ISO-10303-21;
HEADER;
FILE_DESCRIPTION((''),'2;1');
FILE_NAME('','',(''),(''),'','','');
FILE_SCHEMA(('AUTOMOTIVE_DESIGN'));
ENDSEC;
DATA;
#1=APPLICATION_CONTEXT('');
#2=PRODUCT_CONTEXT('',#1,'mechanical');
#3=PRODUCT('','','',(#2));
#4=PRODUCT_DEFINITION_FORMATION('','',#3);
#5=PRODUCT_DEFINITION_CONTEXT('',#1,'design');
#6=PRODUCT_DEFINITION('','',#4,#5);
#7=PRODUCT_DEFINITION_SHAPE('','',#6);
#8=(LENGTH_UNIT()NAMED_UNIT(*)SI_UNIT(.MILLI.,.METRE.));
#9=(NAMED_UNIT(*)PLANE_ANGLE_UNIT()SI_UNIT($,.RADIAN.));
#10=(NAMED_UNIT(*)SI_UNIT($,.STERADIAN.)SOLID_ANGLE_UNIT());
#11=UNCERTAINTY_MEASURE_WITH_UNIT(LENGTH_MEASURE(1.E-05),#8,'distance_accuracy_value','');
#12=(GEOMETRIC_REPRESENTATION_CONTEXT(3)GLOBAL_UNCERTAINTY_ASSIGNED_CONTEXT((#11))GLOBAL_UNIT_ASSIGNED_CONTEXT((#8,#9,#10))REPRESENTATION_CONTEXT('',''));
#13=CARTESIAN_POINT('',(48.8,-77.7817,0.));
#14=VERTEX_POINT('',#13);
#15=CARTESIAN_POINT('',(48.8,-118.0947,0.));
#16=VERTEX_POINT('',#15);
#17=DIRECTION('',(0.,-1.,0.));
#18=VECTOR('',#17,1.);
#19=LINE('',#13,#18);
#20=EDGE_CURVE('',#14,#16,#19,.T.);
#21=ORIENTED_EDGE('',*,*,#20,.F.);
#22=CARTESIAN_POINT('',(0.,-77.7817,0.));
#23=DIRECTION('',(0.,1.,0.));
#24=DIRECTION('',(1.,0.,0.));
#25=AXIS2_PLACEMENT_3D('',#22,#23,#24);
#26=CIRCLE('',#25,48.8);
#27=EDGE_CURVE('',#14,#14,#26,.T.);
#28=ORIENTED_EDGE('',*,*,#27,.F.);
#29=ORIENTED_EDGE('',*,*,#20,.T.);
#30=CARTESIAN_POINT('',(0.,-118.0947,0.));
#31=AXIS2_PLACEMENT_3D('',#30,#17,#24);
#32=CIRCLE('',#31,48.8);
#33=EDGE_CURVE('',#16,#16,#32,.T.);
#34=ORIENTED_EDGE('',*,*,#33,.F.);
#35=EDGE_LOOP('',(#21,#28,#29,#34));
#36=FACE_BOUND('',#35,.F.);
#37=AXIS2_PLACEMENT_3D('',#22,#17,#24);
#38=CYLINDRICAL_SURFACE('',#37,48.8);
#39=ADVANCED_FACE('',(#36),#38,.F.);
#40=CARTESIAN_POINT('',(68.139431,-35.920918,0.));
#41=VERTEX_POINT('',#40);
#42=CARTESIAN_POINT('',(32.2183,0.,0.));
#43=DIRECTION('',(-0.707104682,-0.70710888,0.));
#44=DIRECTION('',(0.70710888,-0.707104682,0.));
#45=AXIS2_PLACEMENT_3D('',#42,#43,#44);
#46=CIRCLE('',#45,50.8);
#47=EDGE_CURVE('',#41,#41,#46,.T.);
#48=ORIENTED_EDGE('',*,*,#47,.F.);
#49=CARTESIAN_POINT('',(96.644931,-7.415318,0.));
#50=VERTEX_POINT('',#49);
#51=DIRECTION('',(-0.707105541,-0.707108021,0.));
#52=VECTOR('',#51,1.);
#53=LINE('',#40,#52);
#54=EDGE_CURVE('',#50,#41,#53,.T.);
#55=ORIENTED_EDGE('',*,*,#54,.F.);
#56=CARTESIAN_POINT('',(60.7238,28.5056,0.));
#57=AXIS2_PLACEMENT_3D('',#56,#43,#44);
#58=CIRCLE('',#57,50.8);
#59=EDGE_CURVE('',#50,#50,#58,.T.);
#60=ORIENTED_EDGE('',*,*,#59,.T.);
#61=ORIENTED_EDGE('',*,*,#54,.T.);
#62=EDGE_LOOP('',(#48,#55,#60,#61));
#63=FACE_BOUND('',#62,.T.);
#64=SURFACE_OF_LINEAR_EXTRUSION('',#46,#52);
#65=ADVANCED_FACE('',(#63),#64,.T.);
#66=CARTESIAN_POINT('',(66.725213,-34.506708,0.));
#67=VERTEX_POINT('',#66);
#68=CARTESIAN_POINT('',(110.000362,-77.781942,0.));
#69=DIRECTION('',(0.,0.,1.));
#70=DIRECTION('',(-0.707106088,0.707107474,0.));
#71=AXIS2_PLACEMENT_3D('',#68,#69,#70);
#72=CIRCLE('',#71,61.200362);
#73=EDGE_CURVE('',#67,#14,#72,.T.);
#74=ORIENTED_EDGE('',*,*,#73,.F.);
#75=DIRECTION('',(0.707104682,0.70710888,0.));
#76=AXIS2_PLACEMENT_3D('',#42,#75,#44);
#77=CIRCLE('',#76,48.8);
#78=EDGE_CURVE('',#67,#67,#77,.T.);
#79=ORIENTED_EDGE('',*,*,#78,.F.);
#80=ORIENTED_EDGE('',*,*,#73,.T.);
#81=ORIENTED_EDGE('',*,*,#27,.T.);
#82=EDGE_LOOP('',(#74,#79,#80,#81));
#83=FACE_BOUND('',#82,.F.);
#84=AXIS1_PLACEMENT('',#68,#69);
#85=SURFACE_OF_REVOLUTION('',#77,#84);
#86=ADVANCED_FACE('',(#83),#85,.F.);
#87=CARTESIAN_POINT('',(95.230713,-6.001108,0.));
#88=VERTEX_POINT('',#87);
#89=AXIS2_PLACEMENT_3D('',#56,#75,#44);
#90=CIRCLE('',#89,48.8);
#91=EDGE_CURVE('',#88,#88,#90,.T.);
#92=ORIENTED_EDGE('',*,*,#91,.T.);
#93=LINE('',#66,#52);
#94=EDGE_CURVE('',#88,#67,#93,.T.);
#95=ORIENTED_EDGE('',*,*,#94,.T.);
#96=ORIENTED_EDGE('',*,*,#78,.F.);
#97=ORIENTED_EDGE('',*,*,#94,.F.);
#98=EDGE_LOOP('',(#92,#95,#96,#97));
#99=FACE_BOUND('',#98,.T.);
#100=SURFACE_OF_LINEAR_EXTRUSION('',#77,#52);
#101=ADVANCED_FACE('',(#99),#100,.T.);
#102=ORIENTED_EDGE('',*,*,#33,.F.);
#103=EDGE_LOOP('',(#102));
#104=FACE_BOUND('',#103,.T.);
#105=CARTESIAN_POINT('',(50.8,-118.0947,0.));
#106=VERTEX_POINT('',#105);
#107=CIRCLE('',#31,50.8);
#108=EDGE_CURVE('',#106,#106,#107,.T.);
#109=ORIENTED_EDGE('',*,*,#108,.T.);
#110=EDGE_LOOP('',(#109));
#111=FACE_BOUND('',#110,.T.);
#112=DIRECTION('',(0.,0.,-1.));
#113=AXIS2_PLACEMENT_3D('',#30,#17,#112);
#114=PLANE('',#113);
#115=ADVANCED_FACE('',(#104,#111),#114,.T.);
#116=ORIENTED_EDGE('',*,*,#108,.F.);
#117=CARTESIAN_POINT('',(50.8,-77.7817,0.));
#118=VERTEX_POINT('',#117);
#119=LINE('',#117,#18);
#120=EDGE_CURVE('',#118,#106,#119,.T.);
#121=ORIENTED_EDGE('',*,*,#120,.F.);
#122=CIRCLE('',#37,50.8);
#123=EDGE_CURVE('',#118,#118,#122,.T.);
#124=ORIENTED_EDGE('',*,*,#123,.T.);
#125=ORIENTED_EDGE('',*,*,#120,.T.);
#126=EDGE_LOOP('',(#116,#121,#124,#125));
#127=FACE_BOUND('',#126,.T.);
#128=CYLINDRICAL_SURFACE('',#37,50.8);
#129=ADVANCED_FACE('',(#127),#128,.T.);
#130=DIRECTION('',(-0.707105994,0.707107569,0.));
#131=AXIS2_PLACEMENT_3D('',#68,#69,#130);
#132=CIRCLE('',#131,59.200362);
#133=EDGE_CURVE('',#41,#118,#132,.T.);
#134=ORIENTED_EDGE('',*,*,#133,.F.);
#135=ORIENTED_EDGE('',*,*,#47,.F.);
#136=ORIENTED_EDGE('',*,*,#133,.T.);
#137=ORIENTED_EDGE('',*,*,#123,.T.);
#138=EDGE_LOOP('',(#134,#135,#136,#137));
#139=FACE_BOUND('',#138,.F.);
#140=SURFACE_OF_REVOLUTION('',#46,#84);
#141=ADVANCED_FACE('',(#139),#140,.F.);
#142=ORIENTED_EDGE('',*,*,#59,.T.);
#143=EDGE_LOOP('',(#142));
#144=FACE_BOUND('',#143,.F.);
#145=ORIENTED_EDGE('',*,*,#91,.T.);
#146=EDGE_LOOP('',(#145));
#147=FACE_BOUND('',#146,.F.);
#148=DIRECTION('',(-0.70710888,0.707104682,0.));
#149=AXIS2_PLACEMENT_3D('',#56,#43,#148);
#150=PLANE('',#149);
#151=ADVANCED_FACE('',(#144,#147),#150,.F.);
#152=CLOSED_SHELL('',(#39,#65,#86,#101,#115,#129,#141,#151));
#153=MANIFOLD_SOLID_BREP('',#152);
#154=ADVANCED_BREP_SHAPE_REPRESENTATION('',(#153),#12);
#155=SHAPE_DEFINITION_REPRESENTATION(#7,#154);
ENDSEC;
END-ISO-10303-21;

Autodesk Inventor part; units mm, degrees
ref_plane "YZ Plane" through (0, 0, 0) normal (1, 0, 0) x (0, 1, 0)
ref_plane "XZ Plane" through (0, 0, 0) normal (0, 1, 0) x (-1, 0, 0)
sketch "Szkic6" plane through (0, 0, 0) normal (0, 0, 1) x (1, 0, 0)
  line L0 (-29.6067, 0) -> (35.2678, 0) construction
  line L1 (0, 42.3419) -> (0, -58.3726) construction
  arc A0 (32.2183, 0) -> (0, -77.7817) centre (110, -77.7817) ccw
  line L2 (0, -77.7817) -> (110, -77.7817) construction
  line L3 (110, -77.7817) -> (63.6611, -31.4429) construction
  line L4 (32.2183, 0) -> (60.7238, 28.5056)
  line L5 (0, -77.7817) -> (0, -118.0947)
  point P0 (0, 0)
  dimension "d24" = 110
  dimension "d31" = 45
  dimension "d36" = 40.313
  dimension "d37" = 40.313
ref_plane "Płaszczyzna konstrukcyjna2" through (0, -77.7817, 0) normal (0, -1, 0) x (1, 0, 0)
sketch "Szkic8" plane through (0, -77.7817, 0) normal (0, -1, 0) x (1, 0, 0)
  circle A0 centre (0, 0) radius 50.8
  circle A1 centre (0, 0) radius 48.8
  dimension "d32" = 101.6
  dimension "d33" = 2
sweep "Przeciągnięcie2" add profiles "Szkic8" path "Szkic6"
equation "\"d32\" = OD"
equation "\"d33\" = THK"
equation "\"d24\" = R"
equation "\"d31\" = KAT"
equation "\"d36\" = PROSTKA"
equation "\"d37\" = PROSTKA"
equation "\"SzerokośćGięciaPodcięcia\" = Grubość"
equation "\"RozmiarPodcięciaNarożnika\" = 4 * Grubość"
equation "\"PromieńPrzejścia\" = PromieńGięcia"
equation "\"Rozmiar_promienia_Jacobiego\" = PromieńGięcia"
equation "\"Wielk_odstępu\" = Grubość"
equation "\"d2\" = PromieńGięcia"
equation "\"d23\" = PromieńGięcia"
equation "\"R\" = 110"
equation "\"OD\" = 101.6"
equation "\"THK\" = 2"
equation "\"KAT\" = 45deg"
equation "\"PROSTKA\" = 40.313"
equation "\"Grubość\" = 1.5"
equation "\"PromieńGięcia\" = 3"
properties part number "Kolano 45° ø101,6x2 R110" material "304L"
